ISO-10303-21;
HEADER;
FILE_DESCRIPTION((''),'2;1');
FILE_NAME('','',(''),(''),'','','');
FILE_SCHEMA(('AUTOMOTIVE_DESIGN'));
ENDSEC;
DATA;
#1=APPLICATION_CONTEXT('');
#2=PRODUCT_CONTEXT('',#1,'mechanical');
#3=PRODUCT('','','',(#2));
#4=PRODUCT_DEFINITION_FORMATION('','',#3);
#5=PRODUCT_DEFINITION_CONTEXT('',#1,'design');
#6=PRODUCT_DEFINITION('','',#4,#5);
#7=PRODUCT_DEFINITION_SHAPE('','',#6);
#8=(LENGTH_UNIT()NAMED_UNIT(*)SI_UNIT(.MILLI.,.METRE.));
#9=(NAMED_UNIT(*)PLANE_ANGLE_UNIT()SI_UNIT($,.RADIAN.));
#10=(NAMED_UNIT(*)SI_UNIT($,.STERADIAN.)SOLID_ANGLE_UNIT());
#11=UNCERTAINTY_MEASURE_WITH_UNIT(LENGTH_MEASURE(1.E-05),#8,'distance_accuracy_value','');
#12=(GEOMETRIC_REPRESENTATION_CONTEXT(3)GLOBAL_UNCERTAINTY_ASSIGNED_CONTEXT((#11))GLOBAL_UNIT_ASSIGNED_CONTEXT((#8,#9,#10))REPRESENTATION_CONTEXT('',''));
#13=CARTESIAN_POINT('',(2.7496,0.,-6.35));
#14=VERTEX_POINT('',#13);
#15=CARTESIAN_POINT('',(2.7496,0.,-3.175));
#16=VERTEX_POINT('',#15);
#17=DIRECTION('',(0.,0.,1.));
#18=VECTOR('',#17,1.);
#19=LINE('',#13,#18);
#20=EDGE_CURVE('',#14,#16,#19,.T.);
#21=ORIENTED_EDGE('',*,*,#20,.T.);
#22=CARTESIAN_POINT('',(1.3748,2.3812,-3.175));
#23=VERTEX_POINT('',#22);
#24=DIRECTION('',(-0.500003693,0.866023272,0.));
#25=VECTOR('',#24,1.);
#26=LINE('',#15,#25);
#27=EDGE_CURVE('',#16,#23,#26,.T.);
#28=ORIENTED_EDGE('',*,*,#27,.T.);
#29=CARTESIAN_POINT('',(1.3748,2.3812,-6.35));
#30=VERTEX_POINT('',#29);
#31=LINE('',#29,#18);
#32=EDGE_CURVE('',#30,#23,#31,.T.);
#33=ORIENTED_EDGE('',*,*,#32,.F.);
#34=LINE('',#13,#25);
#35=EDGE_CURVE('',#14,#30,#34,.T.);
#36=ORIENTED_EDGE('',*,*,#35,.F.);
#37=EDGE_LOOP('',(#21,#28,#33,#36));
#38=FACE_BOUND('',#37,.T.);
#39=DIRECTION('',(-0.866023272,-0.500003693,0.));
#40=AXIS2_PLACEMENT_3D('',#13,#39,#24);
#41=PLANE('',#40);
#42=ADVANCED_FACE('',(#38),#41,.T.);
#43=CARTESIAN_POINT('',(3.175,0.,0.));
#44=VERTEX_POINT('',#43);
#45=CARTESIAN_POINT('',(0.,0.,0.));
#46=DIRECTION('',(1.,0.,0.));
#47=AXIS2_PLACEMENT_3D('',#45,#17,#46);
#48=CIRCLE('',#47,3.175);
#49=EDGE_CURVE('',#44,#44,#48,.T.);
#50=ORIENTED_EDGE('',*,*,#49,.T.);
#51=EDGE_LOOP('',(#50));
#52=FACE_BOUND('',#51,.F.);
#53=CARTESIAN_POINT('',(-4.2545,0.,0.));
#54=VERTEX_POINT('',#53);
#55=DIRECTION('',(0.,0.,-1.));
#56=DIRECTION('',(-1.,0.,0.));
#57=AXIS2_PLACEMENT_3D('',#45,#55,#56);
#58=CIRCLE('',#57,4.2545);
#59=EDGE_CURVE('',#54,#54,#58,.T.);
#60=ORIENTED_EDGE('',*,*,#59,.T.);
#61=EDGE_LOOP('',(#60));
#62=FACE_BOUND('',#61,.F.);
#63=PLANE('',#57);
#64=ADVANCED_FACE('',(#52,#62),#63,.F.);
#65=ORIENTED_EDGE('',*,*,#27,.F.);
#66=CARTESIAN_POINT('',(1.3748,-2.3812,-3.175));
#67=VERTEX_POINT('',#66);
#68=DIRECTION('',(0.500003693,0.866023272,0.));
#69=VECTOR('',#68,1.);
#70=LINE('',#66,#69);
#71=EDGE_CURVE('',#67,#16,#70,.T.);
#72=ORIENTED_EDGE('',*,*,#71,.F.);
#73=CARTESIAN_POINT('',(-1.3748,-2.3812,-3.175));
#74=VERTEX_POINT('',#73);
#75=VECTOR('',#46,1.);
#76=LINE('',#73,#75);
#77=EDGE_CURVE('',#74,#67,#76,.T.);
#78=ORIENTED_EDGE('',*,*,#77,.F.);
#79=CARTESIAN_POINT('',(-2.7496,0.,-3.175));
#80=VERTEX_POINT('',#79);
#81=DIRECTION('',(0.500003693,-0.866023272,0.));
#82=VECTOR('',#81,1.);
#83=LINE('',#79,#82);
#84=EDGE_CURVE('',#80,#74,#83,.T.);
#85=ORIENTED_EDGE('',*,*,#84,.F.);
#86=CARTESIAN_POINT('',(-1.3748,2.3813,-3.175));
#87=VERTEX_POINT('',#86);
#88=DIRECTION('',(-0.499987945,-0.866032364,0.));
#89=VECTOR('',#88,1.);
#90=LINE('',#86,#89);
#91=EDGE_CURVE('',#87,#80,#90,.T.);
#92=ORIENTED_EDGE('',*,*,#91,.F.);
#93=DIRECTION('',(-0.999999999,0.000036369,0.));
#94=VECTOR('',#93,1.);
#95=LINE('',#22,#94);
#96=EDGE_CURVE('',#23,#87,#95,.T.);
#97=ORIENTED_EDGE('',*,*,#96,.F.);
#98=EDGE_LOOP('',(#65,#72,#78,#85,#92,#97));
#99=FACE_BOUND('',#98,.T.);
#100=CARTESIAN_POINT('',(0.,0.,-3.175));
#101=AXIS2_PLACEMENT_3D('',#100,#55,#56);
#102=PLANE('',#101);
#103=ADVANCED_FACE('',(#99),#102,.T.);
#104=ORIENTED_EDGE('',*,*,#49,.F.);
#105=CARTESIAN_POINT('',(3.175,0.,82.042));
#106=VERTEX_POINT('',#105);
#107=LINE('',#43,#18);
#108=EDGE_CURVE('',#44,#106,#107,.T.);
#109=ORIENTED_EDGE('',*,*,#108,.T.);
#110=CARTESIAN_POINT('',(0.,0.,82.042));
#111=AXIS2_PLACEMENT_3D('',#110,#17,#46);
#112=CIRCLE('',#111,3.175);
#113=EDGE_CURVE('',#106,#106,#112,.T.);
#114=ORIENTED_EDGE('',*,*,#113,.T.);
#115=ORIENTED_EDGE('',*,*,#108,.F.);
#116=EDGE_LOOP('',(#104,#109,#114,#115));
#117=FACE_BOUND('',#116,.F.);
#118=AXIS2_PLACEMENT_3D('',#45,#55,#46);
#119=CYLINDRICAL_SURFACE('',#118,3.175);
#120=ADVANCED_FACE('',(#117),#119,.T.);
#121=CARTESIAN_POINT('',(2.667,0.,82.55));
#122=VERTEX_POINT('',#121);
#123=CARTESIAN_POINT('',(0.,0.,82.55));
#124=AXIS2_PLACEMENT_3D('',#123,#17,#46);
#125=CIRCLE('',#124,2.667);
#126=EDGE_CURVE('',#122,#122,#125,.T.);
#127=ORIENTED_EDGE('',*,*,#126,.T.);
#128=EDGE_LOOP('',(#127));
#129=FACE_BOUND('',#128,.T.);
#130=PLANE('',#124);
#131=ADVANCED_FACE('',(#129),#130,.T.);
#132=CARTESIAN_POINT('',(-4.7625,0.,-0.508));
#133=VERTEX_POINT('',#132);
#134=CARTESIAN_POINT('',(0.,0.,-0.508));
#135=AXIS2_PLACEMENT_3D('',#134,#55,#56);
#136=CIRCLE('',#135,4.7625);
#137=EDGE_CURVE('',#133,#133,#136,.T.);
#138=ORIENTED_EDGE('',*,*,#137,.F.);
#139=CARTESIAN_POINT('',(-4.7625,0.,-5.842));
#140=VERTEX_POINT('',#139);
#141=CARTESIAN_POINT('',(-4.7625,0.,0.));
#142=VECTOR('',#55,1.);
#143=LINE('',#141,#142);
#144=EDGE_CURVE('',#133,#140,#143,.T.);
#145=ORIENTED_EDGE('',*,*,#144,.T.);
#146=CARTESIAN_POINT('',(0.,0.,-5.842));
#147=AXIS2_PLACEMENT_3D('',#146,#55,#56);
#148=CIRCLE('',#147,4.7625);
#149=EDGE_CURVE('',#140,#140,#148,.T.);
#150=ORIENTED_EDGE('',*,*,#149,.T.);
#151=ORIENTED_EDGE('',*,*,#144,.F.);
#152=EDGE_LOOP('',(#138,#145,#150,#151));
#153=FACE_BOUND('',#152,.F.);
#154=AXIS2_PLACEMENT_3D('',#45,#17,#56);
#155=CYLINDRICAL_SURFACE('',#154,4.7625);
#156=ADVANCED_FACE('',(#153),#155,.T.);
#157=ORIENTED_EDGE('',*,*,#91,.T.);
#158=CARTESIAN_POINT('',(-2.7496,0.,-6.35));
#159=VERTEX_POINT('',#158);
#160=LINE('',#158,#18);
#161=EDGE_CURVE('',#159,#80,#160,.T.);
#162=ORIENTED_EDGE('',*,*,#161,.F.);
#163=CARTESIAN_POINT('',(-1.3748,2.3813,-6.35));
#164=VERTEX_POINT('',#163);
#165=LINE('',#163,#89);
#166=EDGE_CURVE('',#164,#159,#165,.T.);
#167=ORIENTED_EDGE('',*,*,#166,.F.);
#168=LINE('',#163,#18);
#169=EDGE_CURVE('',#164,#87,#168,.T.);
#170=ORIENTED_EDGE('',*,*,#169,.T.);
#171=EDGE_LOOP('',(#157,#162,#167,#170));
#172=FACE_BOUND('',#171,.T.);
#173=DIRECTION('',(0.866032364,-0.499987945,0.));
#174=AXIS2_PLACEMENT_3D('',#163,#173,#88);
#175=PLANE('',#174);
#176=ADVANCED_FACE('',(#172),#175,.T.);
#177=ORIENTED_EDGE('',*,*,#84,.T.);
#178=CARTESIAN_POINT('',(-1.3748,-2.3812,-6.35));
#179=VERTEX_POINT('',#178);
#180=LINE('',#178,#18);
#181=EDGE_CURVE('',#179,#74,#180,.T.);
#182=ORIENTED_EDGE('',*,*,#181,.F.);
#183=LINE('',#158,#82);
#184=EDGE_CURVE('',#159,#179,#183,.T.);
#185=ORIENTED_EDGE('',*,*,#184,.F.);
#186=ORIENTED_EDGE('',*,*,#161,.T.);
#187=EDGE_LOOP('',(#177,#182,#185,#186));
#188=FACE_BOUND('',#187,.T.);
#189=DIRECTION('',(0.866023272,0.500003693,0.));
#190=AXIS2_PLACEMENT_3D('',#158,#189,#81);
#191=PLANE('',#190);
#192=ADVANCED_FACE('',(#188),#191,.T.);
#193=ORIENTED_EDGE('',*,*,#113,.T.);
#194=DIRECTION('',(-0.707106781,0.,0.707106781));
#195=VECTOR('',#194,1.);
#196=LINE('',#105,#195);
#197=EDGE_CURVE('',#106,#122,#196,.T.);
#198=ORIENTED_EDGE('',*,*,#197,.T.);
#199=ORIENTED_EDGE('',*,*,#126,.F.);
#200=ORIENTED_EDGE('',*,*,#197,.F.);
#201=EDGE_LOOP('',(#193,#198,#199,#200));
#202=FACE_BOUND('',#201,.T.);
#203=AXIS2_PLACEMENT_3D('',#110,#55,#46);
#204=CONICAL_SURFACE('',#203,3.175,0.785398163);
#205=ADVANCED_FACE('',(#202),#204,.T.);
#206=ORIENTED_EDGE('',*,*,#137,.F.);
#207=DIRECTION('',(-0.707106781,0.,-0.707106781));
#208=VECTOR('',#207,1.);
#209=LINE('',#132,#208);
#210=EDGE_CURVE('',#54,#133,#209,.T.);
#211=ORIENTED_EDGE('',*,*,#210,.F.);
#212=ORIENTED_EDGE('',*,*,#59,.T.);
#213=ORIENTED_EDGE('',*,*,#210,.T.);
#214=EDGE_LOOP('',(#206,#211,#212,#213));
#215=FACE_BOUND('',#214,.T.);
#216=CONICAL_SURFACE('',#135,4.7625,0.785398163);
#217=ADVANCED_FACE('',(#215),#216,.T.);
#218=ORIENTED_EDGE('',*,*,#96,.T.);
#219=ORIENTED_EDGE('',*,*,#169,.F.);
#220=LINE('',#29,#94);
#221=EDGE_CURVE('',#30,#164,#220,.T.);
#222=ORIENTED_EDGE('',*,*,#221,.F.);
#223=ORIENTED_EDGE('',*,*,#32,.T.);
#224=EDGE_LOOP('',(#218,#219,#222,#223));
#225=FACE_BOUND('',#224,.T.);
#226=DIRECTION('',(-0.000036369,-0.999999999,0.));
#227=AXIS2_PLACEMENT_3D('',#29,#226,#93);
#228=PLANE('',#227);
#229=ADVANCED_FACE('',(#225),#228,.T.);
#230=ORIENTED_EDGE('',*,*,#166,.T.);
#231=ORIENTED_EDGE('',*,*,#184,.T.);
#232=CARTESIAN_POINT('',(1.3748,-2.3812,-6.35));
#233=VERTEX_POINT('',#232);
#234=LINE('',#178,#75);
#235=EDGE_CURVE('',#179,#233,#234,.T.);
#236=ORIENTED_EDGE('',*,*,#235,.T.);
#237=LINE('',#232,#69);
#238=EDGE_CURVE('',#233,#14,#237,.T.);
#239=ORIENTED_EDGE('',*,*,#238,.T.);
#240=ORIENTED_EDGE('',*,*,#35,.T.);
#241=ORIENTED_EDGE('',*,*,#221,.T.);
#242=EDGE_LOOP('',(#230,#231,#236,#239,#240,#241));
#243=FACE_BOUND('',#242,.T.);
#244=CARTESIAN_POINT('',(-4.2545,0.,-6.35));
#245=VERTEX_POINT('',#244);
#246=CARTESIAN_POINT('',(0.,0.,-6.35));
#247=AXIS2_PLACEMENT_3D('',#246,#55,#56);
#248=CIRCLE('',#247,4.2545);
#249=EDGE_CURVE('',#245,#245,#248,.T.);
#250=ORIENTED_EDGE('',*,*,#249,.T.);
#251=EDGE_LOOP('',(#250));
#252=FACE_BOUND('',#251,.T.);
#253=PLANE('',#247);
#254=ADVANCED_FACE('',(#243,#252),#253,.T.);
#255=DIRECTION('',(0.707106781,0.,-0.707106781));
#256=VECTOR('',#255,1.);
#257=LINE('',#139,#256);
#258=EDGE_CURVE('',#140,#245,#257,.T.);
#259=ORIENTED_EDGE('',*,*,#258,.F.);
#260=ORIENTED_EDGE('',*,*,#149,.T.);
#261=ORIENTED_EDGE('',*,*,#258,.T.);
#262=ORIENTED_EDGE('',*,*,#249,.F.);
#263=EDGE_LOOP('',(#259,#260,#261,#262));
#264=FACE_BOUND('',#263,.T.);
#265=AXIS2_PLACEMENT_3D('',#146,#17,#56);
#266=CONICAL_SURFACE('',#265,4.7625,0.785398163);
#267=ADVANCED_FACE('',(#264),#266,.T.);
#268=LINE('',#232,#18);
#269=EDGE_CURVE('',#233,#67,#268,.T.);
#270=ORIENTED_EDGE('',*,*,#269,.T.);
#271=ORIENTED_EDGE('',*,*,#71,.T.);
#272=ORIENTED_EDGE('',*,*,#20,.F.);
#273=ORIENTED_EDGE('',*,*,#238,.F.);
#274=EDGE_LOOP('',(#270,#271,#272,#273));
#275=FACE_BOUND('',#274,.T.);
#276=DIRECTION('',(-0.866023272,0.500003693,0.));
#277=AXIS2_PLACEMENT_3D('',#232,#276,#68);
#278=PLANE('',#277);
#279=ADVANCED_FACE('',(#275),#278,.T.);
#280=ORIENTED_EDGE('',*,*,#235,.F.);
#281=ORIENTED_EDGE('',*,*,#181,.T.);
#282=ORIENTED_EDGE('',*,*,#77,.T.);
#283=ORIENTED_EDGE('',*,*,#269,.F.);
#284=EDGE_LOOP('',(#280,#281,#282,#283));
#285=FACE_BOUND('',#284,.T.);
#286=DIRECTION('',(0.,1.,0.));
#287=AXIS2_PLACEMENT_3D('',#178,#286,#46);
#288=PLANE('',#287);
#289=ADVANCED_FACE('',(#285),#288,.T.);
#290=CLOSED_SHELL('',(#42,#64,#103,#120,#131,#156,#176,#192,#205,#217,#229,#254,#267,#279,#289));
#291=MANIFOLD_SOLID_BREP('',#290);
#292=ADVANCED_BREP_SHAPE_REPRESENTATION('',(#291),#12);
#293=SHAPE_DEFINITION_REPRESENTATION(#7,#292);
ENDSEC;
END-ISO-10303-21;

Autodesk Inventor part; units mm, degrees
ref_plane "YZ Plane" through (0, 0, 0) normal (1, 0, 0) x (0, 1, 0)
ref_plane "XZ Plane" through (0, 0, 0) normal (0, 1, 0) x (-1, 0, 0)
ref_plane "XY Plane" through (0, 0, 0) normal (0, 0, 1) x (1, 0, 0)
sketch "Sketch1" plane through (0, 0, 0) normal (0, 0, 1) x (1, 0, 0)
  circle A0 centre (0, 0) radius 3.175
  dimension "d0" = 6.35
extrude "Extrusion1" add sketch "Sketch1" along normal blind 82.55
sketch "Sketch2" plane through (0, 0, 0) normal (0, 0, -1) x (-1, 0, 0)
  circle A0 centre (0, 0) radius 3.175 projected
  circle A1 centre (0, 0) radius 4.7625
  dimension "d3" = 9.525
extrude "Extrusion2" add sketch "Sketch2" along normal blind 6.35 contours A0 | A1
sketch "Sketch3" plane through (0, 0, -6.35) normal (0, 0, -1) x (-1, 0, 0)
  circle A0 centre (0, 0) radius 4.7625 projected
  line L0 (-1.3748, 2.3812) -> (1.3748, 2.3813)
  line L1 (1.3748, 2.3813) -> (2.7496, 0)
  line L2 (2.7496, 0) -> (1.3748, -2.3812)
  line L3 (1.3748, -2.3812) -> (-1.3748, -2.3812)
  line L4 (-1.3748, -2.3812) -> (-2.7496, 0)
  line L5 (-2.7496, 0) -> (-1.3748, 2.3812)
  dimension "d6" = 4.7625
extrude "Extrusion3" cut sketch "Sketch3" against normal blind 3.175 contours L0 L1 L2 L3 L4 L5
chamfer "Chamfer1" distance 0.508 angle 45 3 edges at (-3.175, 0, 82.55) (4.7625, 0, 0) (4.7625, 0, -6.35)
thread "Thread1" size "1/4-20 UNC" class "2A" standard "ANSI Unified Screw Threads" length 25.4
properties part number "14-20 x750" material "Steel"
